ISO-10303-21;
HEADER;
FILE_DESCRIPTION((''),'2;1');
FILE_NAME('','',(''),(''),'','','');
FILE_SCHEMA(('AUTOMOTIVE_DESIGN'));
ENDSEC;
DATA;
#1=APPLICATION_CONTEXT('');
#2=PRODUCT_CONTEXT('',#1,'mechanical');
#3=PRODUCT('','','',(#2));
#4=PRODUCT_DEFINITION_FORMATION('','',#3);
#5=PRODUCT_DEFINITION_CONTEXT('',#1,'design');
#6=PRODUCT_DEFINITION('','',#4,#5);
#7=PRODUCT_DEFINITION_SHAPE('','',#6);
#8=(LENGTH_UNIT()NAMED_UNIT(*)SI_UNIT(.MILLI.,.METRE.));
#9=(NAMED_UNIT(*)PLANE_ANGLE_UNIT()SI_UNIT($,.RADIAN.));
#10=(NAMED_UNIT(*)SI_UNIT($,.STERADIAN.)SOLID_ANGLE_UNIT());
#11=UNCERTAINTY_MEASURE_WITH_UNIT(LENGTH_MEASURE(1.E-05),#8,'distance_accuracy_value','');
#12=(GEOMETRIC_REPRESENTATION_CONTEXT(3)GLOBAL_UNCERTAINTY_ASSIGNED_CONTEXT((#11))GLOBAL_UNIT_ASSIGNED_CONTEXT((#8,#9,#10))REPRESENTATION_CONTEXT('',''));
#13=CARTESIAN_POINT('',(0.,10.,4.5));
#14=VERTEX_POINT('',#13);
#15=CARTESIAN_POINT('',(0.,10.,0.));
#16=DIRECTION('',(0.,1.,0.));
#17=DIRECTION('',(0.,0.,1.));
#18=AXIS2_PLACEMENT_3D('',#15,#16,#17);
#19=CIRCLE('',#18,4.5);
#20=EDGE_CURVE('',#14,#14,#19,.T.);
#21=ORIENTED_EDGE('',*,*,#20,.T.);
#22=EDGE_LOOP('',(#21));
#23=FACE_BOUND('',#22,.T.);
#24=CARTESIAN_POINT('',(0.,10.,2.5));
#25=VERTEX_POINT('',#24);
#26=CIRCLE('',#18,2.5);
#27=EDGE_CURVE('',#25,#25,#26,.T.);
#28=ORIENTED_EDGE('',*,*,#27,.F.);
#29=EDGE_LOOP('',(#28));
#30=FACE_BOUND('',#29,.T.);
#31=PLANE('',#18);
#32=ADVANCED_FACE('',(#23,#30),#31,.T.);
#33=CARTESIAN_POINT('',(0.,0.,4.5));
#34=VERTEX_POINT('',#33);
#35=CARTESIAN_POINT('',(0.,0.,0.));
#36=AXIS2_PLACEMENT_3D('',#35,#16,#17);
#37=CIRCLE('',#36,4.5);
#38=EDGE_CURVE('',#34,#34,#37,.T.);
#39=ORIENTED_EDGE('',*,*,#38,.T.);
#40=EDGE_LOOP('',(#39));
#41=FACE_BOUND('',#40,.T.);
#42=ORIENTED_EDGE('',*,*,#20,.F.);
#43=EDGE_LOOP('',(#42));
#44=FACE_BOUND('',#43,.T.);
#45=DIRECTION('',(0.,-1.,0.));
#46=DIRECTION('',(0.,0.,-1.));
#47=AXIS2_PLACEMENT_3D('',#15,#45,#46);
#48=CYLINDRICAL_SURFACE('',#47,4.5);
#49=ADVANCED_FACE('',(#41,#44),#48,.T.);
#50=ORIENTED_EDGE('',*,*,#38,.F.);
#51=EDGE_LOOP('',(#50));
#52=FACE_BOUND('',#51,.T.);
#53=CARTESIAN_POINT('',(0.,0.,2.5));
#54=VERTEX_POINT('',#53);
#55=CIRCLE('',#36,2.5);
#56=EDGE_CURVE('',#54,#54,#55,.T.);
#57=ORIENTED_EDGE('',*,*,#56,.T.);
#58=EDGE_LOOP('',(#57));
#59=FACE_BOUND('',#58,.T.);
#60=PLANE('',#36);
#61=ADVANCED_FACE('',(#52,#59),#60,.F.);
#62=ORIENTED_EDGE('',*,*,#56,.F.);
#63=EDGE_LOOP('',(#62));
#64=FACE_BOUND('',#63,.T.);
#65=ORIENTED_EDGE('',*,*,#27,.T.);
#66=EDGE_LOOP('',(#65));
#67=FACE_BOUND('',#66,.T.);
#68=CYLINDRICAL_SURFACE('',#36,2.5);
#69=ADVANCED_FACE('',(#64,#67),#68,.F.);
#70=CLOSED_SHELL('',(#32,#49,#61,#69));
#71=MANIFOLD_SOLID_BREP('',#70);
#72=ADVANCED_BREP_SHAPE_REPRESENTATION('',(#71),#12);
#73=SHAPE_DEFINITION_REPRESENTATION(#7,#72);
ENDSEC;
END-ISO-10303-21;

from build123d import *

# Parameters (mm, degrees)
SKETCH1_R           = 4.5
BOSS_EXTRUDE1_DEPTH = 10
SKETCH2_R           = 2.5
CUT_EXTRUDE1_DEPTH  = 12.853269591


with BuildPart() as part:
    # Sketch1 → Boss-Extrude1 (new body)
    with BuildSketch(Plane(origin=(0, 0, 0), x_dir=(1, 0, 0), z_dir=(0, 1, 0))):
        with Locations(Location((0, 0, 0), (0, 0, 270))):
            Circle(SKETCH1_R)
    extrude(amount=BOSS_EXTRUDE1_DEPTH)

    # Sketch2 → Cut-Extrude1 (cut, through all)
    with BuildSketch(Plane(origin=(0, 10, 0), x_dir=(1, 0, 0), z_dir=(0, 1, 0))):
        with Locations(Location((0, 0, 0), (0, 0, 270))):
            Circle(SKETCH2_R)
    extrude(amount=-CUT_EXTRUDE1_DEPTH, mode=Mode.SUBTRACT)


solid = part.part
